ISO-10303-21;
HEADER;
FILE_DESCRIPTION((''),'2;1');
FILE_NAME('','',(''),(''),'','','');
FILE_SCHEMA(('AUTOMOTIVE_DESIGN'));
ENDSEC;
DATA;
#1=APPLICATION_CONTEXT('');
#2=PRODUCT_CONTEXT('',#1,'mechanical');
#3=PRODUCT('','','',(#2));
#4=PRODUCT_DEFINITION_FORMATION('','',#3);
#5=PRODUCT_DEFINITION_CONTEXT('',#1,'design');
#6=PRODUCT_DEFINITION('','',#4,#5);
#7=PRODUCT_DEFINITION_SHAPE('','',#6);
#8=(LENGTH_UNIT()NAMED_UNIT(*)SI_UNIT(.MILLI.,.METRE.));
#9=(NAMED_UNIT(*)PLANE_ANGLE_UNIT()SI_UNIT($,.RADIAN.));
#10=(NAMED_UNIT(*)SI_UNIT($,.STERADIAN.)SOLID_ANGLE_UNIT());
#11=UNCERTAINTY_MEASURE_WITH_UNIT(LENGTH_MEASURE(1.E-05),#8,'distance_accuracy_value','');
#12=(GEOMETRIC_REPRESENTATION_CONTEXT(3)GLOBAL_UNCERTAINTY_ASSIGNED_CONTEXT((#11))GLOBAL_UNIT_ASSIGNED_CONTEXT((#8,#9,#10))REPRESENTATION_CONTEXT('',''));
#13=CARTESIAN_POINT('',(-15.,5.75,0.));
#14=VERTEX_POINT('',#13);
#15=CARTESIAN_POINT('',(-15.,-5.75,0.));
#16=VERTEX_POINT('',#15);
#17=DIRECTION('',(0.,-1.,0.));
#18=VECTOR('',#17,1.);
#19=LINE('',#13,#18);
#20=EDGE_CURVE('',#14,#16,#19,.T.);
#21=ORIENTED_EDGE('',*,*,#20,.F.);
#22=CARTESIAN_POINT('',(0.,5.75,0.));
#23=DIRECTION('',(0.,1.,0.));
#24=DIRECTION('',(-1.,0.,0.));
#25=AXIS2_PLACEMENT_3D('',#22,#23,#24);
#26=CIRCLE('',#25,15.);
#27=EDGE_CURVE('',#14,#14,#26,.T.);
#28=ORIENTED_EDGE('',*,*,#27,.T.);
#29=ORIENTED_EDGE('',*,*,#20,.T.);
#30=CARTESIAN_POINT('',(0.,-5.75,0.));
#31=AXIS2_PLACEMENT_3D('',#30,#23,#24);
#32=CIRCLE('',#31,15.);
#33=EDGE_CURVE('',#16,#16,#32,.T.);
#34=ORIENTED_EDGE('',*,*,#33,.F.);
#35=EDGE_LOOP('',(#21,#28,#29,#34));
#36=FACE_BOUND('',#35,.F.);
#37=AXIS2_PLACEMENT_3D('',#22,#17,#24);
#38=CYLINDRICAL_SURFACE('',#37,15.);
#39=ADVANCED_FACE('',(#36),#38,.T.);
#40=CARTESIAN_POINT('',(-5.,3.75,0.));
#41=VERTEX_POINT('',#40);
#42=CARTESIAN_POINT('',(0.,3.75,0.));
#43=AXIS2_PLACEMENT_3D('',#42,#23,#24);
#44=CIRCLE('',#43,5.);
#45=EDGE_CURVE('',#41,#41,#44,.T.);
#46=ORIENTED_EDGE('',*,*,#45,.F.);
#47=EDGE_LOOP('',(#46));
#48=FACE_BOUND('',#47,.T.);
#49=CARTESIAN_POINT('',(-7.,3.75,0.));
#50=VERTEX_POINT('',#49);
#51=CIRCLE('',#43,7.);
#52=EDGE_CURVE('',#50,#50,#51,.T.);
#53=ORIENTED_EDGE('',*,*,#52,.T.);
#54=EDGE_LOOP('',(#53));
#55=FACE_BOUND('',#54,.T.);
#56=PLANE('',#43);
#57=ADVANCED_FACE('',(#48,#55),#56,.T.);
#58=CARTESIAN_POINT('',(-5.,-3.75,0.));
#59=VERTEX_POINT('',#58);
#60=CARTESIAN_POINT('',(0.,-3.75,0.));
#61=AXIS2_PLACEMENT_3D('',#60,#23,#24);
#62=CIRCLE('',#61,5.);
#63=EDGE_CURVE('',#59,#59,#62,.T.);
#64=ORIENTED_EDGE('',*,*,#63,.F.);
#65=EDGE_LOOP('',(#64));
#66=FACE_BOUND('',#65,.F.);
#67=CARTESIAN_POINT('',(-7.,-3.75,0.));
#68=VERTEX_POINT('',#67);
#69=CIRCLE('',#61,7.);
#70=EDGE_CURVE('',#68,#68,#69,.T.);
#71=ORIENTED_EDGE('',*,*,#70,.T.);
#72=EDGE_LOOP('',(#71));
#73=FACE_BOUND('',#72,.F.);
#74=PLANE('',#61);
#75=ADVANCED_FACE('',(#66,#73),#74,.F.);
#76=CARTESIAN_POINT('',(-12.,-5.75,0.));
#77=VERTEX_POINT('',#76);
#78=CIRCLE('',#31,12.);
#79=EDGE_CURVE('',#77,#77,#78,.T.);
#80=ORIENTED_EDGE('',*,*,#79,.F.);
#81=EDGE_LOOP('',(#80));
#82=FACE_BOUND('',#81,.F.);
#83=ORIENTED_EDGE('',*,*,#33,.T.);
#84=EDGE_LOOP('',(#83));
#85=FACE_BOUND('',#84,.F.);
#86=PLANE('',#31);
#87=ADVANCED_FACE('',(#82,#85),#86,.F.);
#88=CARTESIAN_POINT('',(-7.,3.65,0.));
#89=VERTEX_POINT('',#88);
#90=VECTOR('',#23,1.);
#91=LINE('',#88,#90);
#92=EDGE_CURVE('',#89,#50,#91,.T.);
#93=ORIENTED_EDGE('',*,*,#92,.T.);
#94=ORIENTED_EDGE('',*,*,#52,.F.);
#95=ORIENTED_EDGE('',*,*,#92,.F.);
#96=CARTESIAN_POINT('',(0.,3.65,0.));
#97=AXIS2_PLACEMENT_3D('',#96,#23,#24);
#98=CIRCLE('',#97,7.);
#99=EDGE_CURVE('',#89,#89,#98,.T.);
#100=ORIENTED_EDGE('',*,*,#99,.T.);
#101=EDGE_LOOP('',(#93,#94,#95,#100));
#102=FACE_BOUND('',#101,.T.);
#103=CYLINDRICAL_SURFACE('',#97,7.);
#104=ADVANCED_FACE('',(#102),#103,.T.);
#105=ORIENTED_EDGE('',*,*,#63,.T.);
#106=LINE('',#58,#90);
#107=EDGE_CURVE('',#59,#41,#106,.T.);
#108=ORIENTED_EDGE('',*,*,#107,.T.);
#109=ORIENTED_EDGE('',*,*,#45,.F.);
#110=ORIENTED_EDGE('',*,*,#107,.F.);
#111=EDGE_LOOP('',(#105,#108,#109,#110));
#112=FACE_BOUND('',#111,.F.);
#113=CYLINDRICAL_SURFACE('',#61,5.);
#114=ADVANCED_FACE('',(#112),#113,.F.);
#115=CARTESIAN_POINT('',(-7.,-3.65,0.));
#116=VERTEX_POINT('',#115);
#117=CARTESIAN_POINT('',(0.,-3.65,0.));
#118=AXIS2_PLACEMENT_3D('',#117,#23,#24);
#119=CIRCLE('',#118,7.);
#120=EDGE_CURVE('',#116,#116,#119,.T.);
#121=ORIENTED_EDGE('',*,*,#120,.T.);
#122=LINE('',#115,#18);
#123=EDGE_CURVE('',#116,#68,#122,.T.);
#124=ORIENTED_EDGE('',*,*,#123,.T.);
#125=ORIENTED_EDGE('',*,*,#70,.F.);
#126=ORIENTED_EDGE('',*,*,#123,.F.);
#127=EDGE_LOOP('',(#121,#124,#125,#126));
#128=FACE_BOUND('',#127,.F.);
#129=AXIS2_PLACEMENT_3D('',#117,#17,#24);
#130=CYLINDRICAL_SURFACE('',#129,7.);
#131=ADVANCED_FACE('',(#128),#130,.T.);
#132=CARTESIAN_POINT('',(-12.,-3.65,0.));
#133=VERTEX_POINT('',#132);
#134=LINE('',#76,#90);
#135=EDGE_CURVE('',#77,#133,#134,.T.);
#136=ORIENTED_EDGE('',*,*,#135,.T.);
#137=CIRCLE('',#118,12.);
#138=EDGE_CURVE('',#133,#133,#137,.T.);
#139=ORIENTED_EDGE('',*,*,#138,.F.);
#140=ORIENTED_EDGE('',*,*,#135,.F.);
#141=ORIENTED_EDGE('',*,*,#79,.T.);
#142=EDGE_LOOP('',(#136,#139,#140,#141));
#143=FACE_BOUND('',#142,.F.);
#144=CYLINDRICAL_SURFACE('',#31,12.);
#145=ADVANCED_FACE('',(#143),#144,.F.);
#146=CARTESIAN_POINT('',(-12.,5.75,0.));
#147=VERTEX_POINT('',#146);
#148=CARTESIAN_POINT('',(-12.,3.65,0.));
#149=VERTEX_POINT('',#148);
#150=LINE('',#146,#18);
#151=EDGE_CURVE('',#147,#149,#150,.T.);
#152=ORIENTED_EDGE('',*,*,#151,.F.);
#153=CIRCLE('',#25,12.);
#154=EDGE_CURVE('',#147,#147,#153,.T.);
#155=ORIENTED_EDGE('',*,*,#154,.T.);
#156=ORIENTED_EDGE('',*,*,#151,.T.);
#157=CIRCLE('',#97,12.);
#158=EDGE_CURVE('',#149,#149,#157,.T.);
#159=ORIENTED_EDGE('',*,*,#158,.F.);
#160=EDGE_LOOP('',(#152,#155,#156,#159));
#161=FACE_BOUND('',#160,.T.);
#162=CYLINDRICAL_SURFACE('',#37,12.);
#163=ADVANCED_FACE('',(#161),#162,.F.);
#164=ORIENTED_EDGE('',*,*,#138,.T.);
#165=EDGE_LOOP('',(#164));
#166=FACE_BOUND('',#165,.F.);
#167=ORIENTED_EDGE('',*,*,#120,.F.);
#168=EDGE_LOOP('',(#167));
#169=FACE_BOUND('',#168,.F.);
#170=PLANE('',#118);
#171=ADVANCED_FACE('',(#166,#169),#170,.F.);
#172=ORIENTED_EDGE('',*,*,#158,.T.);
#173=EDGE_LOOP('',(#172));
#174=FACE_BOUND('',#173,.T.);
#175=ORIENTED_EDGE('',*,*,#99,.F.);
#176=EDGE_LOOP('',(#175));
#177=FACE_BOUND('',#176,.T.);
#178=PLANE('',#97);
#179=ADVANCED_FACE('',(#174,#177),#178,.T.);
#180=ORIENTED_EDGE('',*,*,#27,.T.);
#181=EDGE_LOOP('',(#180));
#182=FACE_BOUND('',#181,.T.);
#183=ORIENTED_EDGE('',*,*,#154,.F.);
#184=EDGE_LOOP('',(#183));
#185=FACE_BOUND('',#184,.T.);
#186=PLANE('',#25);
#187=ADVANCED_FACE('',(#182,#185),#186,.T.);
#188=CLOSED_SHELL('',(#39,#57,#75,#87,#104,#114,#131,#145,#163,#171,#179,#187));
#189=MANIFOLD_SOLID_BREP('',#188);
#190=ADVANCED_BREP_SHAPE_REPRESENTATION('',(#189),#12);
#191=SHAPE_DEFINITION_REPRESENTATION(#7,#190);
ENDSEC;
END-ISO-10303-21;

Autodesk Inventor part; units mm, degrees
ref_plane "YZ Plane" through (0, 0, 0) normal (1, 0, 0) x (0, 1, 0)
ref_plane "XZ Plane" through (0, 0, 0) normal (0, 1, 0) x (-1, 0, 0)
ref_plane "XY Plane" through (0, 0, 0) normal (0, 0, 1) x (1, 0, 0)
sketch "スケッチ1" plane through (0, 0, 0) normal (0, 0, 1) x (1, 0, 0)
  line L0 (-15, 5.75) -> (-15, -5.75)
  line L1 (-15, -5.75) -> (-12, -5.75)
  line L2 (-12, -5.75) -> (-12, -3.65)
  line L3 (-12, -3.65) -> (-7, -3.65)
  line L4 (-7, -3.65) -> (-7, -3.75)
  line L5 (-7, -3.75) -> (-5, -3.75)
  line L6 (-5, -3.75) -> (-5, 3.75)
  line L7 (0, 0) -> (-15, 0) construction
  line L8 (-15, 5.75) -> (-12, 5.75)
  line L9 (-12, 5.75) -> (-12, 3.65)
  line L10 (-12, 3.65) -> (-7, 3.65)
  line L11 (-7, 3.65) -> (-7, 3.75)
  line L12 (-7, 3.75) -> (-5, 3.75)
  line L13 (0, 0) -> (0, 5.75) construction
  point P0 (-5, 0)
  dimension "d0" = 11.5
  dimension "d1" = 15
  dimension "d2" = 5
  dimension "d3" = 0.1
  dimension "d4" = 2
  dimension "d5" = 3
  dimension "d6" = 2
revolve "回転1" add sketch "スケッチ1" angle 360 about axis through (0, 0, 0) along (0, 1, 0)
properties part number "Gbear_30_10" material "ステンレス鋼"
